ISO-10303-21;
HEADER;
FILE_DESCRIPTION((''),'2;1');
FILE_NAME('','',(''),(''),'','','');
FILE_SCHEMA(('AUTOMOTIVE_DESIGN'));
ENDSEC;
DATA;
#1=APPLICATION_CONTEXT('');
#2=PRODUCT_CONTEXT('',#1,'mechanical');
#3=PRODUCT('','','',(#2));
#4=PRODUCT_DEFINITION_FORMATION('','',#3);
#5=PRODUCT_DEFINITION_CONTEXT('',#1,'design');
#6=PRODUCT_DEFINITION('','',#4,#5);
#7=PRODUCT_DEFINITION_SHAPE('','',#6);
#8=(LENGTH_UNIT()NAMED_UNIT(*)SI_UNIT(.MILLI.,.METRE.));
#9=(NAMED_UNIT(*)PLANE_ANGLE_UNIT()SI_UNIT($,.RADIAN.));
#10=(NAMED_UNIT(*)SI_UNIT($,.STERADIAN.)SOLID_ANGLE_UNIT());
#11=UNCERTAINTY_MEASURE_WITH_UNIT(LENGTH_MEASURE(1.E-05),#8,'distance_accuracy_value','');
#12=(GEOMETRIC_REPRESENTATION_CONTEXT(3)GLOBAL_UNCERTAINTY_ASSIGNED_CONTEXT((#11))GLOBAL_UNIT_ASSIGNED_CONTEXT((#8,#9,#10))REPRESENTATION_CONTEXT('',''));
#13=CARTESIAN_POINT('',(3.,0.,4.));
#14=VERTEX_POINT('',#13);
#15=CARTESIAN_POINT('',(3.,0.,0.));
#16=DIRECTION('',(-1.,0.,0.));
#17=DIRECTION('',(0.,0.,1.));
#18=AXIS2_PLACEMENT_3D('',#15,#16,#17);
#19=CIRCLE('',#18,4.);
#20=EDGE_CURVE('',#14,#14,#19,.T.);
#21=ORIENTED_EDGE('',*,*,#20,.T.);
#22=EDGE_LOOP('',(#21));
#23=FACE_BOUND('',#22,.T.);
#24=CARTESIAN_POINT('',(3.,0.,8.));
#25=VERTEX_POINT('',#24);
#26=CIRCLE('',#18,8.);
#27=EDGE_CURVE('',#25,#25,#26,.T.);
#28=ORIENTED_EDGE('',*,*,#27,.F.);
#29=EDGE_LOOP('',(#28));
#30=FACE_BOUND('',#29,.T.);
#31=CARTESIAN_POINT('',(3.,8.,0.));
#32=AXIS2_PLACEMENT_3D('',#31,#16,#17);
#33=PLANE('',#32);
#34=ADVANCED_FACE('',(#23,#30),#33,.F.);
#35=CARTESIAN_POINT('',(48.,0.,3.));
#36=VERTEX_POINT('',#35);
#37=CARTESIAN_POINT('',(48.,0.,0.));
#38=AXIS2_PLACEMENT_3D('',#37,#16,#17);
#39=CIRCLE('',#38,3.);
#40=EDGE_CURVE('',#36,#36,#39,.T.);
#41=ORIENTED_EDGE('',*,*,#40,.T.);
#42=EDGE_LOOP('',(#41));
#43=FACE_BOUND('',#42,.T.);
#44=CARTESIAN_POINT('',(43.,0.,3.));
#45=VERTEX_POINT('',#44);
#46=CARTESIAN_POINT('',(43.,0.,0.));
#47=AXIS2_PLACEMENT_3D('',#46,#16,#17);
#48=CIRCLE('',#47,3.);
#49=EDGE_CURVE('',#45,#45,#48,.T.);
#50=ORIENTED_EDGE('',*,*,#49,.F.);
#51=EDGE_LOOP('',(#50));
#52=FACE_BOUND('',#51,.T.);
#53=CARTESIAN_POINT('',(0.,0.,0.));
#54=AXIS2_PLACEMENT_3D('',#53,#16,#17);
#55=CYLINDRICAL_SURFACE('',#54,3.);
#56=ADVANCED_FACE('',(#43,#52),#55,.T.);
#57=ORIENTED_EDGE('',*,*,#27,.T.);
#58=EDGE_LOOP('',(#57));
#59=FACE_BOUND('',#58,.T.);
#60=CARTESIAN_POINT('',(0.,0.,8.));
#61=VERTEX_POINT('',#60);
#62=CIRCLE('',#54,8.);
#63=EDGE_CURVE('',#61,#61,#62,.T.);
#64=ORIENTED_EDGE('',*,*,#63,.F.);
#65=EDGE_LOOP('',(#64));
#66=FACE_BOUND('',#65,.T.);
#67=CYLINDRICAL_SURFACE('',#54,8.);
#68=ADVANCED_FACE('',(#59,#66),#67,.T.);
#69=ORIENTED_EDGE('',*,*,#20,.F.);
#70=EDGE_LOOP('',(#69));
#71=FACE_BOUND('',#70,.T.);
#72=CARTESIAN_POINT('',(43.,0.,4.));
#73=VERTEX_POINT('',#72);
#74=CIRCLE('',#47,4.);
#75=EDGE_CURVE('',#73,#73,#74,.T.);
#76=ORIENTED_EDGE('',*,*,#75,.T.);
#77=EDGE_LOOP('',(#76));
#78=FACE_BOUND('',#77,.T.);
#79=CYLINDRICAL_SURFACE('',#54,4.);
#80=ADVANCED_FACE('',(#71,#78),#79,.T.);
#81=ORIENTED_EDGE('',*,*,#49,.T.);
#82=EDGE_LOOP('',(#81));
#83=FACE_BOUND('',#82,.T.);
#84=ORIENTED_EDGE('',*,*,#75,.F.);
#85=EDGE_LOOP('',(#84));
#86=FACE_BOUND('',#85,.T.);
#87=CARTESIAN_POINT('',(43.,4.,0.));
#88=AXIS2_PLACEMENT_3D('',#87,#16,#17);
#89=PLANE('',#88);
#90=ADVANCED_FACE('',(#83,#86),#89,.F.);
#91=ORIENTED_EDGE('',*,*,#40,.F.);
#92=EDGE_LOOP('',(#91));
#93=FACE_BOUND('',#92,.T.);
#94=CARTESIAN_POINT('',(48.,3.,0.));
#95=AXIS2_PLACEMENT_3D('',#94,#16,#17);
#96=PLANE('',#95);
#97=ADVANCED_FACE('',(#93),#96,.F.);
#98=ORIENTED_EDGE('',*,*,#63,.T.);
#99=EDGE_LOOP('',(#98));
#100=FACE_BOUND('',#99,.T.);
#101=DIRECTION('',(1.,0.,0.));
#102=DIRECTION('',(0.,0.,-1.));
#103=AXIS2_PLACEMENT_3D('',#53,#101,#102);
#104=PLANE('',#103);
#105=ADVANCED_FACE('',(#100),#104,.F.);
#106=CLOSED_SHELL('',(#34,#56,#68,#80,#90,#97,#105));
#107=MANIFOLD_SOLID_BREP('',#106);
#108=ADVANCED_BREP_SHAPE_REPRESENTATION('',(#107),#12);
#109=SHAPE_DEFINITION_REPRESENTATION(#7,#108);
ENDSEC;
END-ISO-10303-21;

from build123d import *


with BuildPart() as part:
    # Sketch1 → Revolve1 (revolve)
    with BuildSketch(Plane.XY):
        Polygon((0, 0), (0, 8), (3, 8), (3, 4), (43, 4), (43, 3), (48, 3), (48, 0), align=None)
    revolve(axis=Axis((0, 0, 0), (1, 0, 0)))


solid = part.part
